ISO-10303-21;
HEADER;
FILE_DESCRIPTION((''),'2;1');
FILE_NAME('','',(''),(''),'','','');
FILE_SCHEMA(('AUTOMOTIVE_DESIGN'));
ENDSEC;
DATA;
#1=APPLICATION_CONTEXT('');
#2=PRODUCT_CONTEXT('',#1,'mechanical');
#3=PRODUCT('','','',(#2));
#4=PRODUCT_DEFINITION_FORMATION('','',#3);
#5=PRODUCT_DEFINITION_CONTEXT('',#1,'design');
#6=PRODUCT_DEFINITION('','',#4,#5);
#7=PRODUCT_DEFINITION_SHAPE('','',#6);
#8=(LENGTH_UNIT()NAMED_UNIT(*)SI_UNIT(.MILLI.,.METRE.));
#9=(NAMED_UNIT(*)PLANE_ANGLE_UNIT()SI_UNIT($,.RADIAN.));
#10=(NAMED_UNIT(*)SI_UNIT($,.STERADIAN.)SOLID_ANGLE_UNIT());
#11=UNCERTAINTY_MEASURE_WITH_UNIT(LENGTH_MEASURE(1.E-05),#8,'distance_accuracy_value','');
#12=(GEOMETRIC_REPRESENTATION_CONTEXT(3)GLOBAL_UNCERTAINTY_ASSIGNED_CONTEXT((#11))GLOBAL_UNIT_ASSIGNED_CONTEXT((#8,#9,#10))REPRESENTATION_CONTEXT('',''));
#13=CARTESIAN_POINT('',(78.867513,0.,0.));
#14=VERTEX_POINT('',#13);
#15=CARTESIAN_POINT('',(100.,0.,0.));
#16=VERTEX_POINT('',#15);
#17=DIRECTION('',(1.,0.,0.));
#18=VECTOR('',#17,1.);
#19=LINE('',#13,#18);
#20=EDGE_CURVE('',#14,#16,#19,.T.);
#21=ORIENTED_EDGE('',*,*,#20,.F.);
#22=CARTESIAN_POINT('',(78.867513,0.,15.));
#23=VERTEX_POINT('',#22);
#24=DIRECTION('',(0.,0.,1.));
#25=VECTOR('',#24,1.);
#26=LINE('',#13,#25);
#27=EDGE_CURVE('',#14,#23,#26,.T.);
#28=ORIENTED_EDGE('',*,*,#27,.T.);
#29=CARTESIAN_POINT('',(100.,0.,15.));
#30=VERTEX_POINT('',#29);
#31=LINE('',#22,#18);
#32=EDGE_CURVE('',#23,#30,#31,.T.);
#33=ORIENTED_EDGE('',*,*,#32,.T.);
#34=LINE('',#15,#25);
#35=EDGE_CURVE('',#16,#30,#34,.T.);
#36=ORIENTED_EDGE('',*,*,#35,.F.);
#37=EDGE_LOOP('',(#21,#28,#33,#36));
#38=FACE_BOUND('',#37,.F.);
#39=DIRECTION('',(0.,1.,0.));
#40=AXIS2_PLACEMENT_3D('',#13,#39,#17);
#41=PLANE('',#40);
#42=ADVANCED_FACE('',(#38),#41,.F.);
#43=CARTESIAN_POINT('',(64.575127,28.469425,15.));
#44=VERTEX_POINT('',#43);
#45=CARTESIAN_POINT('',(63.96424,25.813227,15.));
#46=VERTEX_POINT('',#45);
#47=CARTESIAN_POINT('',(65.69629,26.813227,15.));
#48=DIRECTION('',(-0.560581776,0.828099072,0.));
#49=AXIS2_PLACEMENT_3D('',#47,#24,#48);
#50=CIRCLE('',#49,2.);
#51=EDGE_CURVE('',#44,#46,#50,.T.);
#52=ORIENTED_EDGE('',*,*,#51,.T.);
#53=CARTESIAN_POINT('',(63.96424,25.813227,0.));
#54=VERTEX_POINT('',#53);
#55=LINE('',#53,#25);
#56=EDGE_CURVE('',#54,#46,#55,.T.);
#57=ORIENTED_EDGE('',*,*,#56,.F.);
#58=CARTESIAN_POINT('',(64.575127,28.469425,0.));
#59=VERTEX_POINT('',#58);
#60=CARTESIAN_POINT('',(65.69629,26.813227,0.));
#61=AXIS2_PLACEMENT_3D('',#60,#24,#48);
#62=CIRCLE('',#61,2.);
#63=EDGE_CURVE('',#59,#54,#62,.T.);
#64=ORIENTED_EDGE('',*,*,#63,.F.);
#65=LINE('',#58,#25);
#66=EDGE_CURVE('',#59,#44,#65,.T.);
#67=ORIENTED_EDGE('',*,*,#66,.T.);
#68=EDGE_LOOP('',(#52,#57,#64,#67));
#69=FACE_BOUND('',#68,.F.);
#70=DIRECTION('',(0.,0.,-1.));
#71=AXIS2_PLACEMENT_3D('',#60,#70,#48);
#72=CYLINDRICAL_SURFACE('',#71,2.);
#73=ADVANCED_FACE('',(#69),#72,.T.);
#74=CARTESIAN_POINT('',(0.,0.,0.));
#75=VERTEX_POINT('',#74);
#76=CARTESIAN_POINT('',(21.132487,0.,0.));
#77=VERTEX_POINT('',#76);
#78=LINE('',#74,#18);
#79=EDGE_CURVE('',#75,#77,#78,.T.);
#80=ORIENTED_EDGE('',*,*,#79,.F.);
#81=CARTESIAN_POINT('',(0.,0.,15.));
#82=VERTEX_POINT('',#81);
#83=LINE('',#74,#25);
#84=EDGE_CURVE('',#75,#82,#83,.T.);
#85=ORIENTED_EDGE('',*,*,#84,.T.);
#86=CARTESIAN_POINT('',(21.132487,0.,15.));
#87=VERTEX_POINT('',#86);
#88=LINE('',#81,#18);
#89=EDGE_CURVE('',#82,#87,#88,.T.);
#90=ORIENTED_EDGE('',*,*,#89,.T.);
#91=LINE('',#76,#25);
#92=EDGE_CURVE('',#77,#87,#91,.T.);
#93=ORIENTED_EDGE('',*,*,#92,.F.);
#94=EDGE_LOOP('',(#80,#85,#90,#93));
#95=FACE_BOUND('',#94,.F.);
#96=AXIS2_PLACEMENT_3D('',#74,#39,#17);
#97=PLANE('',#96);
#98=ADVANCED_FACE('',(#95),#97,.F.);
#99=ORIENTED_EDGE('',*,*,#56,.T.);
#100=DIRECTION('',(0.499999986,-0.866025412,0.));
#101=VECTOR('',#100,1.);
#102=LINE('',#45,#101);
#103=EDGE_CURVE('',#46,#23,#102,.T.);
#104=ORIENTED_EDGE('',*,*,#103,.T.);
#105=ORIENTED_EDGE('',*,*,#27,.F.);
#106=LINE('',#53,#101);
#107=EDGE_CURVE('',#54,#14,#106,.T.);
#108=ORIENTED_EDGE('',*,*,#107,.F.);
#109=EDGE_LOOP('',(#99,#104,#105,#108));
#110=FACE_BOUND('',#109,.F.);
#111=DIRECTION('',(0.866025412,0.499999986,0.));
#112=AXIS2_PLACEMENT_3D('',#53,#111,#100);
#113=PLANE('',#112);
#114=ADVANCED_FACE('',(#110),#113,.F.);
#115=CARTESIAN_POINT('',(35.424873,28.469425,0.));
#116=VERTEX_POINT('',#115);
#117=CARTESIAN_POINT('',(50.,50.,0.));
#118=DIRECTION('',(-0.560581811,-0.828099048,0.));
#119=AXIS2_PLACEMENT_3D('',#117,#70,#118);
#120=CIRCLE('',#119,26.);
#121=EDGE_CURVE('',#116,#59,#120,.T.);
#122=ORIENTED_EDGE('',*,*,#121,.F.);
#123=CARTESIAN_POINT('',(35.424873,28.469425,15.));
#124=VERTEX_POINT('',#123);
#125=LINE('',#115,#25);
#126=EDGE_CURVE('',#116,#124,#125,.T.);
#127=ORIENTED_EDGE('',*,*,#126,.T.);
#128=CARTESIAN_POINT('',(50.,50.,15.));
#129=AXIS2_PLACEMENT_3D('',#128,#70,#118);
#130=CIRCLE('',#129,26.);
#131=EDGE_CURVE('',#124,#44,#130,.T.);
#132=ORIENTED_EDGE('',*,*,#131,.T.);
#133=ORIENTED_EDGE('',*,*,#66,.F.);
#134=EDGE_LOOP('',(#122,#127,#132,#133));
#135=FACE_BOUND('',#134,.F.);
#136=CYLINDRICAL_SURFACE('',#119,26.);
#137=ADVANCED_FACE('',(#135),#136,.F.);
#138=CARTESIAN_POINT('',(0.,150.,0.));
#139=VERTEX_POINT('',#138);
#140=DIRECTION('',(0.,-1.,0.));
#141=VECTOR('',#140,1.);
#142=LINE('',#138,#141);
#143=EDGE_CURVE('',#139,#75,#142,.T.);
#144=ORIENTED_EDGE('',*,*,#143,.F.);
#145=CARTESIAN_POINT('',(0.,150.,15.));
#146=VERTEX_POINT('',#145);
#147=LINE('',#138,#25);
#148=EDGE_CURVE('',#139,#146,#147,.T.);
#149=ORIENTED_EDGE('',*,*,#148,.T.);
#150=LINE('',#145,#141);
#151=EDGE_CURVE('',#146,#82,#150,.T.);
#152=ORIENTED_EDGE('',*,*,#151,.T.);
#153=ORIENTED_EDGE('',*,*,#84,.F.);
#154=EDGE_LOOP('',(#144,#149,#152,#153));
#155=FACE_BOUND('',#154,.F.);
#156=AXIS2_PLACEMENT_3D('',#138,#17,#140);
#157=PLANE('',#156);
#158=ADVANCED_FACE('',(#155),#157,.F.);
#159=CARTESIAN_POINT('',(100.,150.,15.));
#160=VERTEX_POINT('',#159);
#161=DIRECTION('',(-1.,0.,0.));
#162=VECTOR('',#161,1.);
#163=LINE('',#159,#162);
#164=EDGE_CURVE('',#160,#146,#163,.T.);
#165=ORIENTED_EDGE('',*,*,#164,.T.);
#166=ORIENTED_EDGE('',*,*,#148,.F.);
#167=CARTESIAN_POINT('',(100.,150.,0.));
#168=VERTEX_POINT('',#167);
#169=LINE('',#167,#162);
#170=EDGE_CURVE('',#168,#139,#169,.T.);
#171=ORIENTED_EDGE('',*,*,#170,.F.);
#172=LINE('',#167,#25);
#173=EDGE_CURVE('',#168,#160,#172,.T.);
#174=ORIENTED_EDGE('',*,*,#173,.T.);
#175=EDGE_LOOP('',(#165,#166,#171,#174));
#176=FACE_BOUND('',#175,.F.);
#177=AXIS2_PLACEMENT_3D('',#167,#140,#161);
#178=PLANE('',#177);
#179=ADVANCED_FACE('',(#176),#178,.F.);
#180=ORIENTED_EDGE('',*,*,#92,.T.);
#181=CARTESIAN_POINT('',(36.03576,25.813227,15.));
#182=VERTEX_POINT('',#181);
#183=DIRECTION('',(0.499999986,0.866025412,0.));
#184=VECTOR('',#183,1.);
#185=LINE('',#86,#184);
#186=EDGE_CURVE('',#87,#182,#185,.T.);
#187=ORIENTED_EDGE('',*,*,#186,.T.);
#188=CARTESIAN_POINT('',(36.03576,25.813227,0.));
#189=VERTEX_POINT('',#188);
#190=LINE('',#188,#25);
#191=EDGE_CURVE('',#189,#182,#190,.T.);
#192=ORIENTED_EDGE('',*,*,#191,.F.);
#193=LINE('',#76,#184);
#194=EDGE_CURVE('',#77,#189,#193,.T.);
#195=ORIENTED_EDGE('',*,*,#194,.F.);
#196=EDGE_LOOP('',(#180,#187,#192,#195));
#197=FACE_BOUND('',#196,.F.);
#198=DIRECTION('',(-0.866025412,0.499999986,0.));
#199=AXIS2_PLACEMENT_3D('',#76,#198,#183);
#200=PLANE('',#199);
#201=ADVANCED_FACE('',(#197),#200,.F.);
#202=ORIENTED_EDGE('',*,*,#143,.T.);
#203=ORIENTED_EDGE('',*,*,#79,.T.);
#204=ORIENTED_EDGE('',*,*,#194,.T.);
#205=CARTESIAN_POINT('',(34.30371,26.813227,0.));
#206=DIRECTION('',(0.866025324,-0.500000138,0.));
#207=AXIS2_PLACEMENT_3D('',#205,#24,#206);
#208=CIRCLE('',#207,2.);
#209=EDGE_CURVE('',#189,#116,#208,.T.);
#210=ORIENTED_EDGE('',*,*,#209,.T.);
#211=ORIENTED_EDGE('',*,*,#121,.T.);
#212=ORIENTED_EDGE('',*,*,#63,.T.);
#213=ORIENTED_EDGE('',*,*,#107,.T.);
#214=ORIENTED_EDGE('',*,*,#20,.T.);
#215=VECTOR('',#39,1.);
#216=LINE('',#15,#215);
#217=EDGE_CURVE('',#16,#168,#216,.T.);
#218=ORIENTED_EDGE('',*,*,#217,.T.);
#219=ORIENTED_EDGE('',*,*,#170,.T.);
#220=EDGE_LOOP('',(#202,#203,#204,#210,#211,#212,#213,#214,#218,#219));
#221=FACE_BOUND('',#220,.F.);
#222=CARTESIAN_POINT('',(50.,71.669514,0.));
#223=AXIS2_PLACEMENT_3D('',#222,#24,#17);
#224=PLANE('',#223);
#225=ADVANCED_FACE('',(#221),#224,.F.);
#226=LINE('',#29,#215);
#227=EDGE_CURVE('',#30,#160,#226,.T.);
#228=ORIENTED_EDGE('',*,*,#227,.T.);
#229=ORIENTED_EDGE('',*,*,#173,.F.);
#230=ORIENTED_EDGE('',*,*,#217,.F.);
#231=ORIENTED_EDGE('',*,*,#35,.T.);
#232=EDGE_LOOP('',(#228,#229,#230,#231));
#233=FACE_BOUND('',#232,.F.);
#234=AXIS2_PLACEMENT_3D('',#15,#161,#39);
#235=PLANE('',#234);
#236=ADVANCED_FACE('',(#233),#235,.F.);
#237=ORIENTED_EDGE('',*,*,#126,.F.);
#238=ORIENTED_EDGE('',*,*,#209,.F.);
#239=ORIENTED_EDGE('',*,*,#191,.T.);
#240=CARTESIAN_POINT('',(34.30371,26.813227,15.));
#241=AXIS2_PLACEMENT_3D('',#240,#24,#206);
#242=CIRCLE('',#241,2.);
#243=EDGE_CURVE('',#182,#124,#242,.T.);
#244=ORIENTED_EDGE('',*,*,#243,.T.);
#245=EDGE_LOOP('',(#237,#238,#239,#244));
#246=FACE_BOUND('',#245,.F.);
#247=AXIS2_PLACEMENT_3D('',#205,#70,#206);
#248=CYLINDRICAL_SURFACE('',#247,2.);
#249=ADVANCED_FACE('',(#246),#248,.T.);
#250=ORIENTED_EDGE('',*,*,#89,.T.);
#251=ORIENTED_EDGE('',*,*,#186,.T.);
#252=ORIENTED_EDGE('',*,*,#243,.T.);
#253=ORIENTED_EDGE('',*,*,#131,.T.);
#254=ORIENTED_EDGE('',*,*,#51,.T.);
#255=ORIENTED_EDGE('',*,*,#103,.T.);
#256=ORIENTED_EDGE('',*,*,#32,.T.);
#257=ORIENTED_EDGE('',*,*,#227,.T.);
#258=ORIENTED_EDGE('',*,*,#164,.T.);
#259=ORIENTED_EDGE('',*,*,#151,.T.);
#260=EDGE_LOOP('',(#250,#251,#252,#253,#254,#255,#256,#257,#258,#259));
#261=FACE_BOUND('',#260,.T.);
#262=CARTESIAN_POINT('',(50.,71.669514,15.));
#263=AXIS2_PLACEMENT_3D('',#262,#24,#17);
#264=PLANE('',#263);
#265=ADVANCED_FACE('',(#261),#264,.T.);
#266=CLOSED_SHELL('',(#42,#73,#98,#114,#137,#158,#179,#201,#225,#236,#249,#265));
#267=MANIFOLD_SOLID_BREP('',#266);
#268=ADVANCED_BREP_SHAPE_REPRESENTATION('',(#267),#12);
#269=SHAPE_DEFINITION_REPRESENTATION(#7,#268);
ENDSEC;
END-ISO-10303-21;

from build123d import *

# Parameters (mm, degrees)
F1_DEPTH = 15


with BuildPart() as f1:
    # F0 (on Top) → F1 (new body)
    with BuildSketch(Plane.XY):
        with BuildLine():
            Line((0, 150), (0, 0))
            Line((0, 0), (21.132487, 0))
            Line((21.132487, 0), (36.03576, 25.813227))
            ThreePointArc((36.03576, 25.813227), (36.252826, 27.261495), (35.424873, 28.469425))
            ThreePointArc((35.424873, 28.469425), (50, 76), (64.575127, 28.469425))
            ThreePointArc((64.575127, 28.469425), (63.747174, 27.261495), (63.96424, 25.813227))
            Line((63.96424, 25.813227), (78.867513, 0))
            Line((78.867513, 0), (100, 0))
            Line((100, 0), (100, 150))
            Line((100, 150), (0, 150))
        make_face()
    extrude(amount=F1_DEPTH)


solid = f1.part
